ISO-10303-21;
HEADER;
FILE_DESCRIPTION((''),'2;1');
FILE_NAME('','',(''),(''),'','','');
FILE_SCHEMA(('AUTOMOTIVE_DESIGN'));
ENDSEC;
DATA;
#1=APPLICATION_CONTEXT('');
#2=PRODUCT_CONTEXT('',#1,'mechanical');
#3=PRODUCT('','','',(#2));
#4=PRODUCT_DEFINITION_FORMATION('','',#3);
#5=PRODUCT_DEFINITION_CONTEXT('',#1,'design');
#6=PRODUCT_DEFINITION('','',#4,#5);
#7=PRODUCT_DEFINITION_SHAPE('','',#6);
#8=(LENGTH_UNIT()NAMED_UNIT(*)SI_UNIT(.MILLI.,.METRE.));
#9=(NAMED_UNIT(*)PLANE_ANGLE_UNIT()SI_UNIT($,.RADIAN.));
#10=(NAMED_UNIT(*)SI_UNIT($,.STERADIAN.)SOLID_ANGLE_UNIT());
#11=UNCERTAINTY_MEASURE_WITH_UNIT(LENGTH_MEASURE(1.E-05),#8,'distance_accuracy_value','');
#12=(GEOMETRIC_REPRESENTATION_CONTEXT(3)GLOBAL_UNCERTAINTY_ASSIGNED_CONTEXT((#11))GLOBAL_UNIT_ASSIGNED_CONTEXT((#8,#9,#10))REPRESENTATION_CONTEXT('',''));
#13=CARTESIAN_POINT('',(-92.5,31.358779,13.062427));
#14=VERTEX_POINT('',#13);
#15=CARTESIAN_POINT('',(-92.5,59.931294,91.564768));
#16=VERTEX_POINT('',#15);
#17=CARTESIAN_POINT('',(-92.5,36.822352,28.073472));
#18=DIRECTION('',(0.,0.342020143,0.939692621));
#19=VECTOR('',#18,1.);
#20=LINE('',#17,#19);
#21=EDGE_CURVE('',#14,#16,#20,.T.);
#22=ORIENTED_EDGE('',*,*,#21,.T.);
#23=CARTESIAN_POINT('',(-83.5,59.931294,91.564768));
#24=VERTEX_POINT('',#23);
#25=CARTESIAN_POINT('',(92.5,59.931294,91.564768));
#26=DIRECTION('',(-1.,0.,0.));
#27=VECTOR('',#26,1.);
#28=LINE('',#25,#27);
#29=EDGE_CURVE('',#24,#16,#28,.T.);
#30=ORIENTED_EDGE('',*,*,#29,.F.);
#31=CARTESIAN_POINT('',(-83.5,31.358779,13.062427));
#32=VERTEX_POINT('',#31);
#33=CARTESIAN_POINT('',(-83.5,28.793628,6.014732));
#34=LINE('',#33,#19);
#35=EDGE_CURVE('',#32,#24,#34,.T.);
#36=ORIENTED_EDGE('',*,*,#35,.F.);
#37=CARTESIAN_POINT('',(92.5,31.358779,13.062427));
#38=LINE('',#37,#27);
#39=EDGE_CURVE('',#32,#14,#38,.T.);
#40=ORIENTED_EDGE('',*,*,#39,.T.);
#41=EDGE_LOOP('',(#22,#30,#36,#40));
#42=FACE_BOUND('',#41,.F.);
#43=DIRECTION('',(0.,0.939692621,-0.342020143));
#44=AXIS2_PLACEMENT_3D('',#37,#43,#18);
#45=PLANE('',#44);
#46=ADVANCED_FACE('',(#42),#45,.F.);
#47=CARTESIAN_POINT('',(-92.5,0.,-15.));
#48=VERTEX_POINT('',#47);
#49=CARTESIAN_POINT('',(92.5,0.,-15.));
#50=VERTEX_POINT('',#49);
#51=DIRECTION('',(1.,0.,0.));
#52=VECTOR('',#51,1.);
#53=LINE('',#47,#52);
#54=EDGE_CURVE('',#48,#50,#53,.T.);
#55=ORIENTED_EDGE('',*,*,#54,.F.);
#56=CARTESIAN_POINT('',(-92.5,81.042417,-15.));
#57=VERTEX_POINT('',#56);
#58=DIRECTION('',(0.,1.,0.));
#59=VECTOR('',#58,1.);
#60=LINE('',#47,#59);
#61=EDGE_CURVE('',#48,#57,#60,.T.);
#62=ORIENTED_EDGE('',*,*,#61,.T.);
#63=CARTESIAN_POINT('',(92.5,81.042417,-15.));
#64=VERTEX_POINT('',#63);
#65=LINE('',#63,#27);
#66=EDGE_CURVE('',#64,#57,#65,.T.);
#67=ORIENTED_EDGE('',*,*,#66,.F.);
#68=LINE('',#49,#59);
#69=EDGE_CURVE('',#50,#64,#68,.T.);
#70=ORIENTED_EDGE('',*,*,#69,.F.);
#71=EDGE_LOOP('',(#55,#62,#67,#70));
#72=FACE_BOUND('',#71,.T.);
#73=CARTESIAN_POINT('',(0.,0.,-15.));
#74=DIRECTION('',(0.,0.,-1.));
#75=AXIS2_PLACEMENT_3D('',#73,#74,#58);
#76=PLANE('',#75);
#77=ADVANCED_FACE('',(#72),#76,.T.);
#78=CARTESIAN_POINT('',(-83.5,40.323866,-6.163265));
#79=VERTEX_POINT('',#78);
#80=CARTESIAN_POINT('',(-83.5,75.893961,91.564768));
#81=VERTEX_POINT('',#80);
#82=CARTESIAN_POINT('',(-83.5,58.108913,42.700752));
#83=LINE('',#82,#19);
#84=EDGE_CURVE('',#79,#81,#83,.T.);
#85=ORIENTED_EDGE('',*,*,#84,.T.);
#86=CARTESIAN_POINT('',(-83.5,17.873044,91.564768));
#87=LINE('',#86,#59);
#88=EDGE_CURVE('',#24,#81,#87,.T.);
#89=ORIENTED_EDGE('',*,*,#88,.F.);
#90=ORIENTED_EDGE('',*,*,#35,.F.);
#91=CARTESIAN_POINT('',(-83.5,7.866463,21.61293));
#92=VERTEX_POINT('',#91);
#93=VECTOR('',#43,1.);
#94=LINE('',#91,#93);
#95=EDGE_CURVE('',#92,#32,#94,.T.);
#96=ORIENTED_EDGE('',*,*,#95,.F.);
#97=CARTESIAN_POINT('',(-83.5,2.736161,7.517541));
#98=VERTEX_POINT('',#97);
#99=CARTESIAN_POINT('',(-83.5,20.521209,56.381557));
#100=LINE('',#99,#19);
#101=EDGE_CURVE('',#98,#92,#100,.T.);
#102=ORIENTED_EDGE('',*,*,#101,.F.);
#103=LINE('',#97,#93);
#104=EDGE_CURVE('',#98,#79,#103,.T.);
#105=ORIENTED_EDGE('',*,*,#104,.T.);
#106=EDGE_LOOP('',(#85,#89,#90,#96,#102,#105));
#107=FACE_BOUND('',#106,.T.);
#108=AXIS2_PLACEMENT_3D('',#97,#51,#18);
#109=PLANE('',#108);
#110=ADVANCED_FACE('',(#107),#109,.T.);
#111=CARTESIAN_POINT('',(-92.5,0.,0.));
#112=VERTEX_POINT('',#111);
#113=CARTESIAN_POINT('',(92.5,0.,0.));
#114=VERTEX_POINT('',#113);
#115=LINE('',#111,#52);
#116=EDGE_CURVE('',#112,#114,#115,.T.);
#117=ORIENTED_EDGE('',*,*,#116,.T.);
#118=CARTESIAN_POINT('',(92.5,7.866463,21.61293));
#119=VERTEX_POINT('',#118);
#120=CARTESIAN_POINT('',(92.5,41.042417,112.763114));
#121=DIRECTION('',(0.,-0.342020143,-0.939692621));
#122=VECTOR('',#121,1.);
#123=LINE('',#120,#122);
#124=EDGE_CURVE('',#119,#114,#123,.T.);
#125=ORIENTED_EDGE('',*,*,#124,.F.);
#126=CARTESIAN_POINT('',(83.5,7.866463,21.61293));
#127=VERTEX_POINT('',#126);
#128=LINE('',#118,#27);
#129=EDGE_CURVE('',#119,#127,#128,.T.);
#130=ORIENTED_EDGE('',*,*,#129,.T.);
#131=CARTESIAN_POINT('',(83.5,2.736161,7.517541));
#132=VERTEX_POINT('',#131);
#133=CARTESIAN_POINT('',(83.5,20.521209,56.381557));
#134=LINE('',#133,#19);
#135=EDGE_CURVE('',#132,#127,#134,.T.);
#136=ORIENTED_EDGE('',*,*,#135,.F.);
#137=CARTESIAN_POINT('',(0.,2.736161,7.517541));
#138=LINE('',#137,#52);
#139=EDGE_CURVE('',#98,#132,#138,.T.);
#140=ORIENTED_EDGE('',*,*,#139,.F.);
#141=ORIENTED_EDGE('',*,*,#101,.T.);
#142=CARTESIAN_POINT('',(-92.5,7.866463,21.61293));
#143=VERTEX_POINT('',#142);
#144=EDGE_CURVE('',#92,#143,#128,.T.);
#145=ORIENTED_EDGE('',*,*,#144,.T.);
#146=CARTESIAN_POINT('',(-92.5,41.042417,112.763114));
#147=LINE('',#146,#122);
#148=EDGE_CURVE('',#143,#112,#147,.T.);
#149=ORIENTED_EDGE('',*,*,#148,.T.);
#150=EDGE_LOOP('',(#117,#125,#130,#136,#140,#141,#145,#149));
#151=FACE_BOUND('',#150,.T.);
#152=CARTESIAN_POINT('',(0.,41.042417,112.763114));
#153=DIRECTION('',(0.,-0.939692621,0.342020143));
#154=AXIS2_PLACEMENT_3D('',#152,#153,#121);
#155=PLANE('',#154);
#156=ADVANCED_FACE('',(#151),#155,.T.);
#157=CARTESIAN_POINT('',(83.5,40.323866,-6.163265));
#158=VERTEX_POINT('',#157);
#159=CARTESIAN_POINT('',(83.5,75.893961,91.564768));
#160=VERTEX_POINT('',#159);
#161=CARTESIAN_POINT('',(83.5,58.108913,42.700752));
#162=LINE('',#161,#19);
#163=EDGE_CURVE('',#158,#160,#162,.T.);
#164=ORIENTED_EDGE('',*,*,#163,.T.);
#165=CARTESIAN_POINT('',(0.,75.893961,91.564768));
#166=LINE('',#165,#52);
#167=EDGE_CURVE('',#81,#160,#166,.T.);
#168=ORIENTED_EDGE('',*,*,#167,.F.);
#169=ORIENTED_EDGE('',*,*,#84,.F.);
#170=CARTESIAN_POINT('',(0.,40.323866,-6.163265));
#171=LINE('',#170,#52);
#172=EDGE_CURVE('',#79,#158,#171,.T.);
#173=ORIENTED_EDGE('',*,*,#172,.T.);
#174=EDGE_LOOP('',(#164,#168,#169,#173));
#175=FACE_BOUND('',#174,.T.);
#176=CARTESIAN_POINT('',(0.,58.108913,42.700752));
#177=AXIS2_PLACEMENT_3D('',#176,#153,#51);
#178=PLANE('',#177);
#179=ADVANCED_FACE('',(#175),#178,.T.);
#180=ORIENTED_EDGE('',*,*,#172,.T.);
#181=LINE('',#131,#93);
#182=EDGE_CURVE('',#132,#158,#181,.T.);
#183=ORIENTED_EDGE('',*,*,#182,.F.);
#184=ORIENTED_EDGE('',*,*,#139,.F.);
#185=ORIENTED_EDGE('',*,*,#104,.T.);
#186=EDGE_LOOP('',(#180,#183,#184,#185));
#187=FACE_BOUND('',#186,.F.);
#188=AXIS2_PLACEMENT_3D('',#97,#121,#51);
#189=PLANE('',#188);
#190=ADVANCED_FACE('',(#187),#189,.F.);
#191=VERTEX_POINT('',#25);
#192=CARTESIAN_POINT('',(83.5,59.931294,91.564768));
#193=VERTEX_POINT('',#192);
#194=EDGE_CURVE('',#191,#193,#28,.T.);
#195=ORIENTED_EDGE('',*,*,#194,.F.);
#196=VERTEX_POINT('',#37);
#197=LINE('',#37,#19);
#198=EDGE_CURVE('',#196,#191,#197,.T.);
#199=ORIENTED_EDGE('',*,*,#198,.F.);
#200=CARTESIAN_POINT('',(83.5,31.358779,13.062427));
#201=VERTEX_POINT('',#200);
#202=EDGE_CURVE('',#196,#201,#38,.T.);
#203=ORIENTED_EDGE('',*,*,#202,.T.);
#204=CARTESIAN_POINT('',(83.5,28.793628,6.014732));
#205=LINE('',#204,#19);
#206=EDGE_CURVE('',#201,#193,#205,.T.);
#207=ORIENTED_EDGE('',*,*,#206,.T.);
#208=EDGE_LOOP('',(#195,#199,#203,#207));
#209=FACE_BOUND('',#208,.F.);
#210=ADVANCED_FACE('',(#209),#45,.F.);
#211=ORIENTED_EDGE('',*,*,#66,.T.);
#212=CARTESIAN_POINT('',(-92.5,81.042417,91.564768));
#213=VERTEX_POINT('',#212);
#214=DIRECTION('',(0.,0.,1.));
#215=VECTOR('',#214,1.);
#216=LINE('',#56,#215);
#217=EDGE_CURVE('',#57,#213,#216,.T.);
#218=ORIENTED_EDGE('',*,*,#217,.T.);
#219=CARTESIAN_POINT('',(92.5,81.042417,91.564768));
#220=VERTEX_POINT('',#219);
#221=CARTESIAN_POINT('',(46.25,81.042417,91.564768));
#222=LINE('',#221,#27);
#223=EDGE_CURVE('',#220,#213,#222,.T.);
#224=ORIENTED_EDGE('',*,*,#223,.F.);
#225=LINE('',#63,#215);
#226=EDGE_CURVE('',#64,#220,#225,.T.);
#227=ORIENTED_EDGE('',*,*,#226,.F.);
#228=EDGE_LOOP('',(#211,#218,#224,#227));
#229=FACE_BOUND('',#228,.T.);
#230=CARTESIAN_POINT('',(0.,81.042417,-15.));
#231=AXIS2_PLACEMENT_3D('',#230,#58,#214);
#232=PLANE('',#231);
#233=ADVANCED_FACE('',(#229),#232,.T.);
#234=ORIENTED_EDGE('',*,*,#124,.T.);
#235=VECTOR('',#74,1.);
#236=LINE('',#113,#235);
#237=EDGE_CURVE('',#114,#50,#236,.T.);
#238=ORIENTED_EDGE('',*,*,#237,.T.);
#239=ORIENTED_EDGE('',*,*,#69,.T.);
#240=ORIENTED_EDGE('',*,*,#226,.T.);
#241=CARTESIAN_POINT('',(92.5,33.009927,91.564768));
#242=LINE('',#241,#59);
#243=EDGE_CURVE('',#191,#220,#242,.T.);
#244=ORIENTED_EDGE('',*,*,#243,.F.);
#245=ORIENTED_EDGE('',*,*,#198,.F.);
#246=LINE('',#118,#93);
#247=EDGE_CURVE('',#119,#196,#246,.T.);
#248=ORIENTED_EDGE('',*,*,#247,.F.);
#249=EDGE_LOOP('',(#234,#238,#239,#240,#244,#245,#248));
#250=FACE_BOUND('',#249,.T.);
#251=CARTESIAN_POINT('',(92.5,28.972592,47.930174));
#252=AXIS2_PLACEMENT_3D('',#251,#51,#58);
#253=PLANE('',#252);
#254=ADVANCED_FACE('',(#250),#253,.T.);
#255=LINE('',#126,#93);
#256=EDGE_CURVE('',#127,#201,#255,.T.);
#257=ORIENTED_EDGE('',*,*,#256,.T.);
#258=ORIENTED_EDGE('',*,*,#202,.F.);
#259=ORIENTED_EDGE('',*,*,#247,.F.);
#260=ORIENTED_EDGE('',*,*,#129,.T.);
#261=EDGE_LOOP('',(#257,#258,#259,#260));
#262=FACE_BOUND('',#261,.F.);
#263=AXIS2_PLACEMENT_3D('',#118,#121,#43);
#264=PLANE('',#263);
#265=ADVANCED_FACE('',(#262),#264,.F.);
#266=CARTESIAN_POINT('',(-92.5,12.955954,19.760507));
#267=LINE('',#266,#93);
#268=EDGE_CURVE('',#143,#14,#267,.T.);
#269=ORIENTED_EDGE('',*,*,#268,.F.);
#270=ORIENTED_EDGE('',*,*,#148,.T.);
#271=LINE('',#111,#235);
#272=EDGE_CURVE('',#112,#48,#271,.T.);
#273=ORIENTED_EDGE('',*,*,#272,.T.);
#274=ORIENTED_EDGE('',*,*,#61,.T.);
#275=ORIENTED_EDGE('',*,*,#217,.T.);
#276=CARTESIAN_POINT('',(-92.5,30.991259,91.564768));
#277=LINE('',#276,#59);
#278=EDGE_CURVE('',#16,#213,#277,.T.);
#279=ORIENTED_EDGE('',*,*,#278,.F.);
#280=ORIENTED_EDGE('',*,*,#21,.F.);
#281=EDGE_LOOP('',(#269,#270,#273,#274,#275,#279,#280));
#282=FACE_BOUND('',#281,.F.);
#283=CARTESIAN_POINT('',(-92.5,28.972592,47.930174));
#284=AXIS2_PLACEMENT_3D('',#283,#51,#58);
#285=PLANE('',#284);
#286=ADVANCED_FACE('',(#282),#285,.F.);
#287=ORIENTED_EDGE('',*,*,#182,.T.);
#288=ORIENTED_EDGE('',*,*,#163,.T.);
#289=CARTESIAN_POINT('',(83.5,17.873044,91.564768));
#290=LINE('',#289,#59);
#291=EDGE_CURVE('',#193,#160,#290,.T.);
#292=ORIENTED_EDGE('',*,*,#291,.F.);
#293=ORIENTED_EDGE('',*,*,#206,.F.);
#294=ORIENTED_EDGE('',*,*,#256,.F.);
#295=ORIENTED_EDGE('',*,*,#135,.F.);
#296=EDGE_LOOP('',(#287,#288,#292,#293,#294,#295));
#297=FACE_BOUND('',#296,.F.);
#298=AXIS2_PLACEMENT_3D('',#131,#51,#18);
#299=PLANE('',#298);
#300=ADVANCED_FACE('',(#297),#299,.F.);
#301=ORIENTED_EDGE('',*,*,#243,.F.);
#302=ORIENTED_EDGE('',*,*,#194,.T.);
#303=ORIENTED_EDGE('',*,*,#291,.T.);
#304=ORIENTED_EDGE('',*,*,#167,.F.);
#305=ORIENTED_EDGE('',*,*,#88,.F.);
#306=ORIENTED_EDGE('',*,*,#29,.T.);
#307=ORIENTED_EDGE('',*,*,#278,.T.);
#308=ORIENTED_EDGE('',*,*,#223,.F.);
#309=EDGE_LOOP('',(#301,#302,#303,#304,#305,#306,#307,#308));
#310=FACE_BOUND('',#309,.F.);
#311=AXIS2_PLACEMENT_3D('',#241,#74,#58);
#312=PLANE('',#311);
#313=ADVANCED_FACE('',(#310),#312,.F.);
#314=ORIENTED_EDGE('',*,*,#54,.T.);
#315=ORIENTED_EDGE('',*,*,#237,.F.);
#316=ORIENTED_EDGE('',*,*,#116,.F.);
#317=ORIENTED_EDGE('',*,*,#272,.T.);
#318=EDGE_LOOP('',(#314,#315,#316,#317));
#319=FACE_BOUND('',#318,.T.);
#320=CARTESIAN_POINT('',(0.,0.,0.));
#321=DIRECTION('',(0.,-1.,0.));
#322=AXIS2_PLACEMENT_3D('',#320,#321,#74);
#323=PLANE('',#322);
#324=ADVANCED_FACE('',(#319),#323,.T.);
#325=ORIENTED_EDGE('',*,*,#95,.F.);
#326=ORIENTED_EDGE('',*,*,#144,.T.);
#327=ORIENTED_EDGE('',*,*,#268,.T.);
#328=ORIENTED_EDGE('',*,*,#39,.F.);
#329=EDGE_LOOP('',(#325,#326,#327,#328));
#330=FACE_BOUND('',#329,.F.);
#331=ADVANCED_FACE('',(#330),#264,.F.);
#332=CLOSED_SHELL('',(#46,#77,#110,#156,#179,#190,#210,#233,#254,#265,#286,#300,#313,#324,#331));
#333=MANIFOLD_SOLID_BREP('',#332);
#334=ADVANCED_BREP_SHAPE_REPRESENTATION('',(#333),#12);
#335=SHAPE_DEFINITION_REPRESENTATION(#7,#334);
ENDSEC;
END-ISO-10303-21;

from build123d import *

# Parameters (mm, degrees)
F0_W     = 40
F0_H     = 112.7631144943
F1_DEPTH = 92.5
F2_W     = 167
F2_H     = 104
F3_DEPTH = 40
F4_W     = 19.1075097164
F4_H     = 21.1983466993
F5_DEPTH = 200
F7_DEPTH = 200


with BuildPart() as f1:
    # F0 (on Right) → F1 (new body, symmetric)
    with BuildSketch(Plane.YZ):
        Polygon((41.0424171991, 112.7631144943), (0, 0), (41.0424171991, 0), align=None)
        Polygon((41.0424171991, 0), (0, 0), (0, -15), (81.0424171991, -15), (81.0424171991, 0), align=None)
        with Locations((61.0424171991, 56.3815572472)):
            Rectangle(F0_W, F0_H)
    extrude(amount=F1_DEPTH, both=True)

    # F2 (on face) → F3 (cut)
    with BuildSketch(Plane(origin=(0, 0, 0), x_dir=(1, 0, 0), z_dir=(0, -0.9396926208, 0.3420201433))):
        with Locations((0, 60)):
            Rectangle(F2_W, F2_H)
    extrude(amount=-F3_DEPTH, mode=Mode.SUBTRACT)

    # F4 (on face) → F5 (cut)
    with BuildSketch(Plane.YZ.offset(92.5)):
        with Locations((90.5961720573, 102.1639411447)):
            Rectangle(F4_W, F4_H)
        Polygon((81.0424171991, 91.564767795), (81.0424171991, 112.7631144943), (41.0424171991, 112.7631144943), (33.3268499849, 91.564767795), align=None)
        Polygon((33.3268499849, 91.564767795), (41.0424171991, 112.7631144943), (33.0099269154, 112.7631144943), (33.0099269154, 91.564767795), align=None)
    extrude(amount=-F5_DEPTH, mode=Mode.SUBTRACT)

    # F6 (on face) → F7 (cut)
    with BuildSketch(Plane.YZ.offset(92.5)):
        Polygon((33.3268499849, 91.564767795), (7.8664632965, 21.6129302781), (31.3587788161, 13.0624266949), (59.9312942968, 91.564767795), align=None)
    extrude(amount=-F7_DEPTH, mode=Mode.SUBTRACT)


solid = f1.part
